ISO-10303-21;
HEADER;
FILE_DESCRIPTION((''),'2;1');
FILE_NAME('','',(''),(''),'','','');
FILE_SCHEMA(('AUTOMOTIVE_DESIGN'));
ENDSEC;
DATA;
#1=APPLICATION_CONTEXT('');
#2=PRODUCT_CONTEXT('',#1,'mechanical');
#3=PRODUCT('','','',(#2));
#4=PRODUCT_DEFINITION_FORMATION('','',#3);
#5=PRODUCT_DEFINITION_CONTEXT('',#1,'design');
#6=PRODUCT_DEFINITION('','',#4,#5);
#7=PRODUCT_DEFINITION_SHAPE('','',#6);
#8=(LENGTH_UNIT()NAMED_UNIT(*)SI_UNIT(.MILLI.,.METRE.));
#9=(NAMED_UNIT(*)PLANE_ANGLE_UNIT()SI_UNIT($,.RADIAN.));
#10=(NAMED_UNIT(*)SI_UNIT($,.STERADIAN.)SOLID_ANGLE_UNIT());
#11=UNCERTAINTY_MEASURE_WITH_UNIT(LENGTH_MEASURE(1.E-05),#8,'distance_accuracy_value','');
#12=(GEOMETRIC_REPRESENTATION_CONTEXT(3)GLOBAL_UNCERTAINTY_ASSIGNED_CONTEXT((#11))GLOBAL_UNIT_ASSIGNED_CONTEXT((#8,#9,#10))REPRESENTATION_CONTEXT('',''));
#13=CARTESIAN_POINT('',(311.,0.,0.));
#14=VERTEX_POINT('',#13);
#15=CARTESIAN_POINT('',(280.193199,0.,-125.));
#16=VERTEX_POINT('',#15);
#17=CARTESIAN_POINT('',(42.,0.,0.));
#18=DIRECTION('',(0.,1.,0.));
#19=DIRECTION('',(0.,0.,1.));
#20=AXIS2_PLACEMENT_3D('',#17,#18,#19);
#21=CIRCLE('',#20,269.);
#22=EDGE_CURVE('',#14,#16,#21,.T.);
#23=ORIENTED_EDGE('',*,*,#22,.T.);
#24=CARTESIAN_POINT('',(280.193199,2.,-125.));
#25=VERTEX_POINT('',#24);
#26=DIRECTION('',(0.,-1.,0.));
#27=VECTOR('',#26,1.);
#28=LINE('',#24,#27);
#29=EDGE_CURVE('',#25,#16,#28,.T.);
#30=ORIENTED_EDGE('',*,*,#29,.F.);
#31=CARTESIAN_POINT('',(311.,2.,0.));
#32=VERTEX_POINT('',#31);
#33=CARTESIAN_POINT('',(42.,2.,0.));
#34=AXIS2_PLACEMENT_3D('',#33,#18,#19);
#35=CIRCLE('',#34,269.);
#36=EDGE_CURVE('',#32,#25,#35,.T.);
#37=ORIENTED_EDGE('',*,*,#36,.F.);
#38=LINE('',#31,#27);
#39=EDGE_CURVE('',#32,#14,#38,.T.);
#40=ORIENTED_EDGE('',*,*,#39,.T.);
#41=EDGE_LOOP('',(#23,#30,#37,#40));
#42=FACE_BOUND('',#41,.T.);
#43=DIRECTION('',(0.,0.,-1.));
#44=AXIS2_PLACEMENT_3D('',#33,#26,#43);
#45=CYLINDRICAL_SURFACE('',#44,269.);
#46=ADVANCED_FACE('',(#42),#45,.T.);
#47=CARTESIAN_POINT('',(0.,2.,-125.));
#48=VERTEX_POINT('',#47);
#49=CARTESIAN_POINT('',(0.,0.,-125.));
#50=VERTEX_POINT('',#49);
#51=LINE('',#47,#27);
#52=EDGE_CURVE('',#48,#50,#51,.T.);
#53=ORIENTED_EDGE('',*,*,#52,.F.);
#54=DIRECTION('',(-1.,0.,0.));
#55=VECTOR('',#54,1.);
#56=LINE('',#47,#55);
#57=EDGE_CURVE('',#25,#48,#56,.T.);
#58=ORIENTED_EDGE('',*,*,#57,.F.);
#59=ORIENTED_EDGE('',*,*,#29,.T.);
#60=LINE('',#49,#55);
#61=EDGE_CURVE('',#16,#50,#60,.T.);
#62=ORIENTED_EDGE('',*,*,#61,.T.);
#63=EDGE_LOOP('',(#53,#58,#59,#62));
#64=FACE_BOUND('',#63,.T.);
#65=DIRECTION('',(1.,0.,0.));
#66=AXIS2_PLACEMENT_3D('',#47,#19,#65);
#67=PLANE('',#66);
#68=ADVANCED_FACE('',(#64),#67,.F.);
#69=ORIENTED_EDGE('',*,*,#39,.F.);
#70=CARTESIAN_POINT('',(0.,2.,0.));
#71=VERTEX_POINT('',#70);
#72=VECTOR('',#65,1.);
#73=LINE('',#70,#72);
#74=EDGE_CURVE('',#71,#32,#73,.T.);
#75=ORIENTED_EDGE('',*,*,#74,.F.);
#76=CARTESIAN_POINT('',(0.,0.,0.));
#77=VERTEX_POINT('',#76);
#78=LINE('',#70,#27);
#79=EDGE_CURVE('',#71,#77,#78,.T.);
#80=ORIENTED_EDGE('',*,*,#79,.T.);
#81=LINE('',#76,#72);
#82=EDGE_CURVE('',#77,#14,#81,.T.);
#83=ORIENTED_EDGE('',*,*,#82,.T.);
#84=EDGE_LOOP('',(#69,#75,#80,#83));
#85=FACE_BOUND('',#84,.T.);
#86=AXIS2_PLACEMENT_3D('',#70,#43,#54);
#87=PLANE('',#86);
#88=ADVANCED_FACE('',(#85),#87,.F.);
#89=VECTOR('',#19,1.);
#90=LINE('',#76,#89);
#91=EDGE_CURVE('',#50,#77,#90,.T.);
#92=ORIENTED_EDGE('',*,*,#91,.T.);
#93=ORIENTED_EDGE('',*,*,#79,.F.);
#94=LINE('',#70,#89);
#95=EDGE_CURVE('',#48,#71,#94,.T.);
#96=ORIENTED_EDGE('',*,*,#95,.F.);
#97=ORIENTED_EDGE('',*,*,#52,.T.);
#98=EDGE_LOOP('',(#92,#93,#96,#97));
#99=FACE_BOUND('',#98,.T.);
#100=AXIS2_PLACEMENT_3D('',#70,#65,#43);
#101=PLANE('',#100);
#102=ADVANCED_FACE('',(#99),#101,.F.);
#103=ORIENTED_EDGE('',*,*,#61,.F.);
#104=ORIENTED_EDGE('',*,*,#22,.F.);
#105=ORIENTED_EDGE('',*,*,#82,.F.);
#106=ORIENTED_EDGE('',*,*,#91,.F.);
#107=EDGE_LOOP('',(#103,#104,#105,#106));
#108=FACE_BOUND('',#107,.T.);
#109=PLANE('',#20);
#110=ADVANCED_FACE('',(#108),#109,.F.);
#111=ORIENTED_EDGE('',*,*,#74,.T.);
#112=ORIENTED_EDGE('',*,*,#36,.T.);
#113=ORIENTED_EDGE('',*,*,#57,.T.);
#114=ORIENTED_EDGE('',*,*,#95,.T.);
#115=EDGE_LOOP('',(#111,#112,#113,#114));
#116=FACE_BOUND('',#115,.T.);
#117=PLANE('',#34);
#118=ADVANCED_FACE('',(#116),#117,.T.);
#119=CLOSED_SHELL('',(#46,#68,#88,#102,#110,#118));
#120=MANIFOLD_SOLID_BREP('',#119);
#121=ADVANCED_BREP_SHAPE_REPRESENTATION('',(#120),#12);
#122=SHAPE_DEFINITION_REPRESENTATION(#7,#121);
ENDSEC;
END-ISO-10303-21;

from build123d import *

# Parameters (mm, degrees)
BOSS_EXTRUDE1_DEPTH = 2


with BuildPart() as part:
    # Sketch1 → Boss-Extrude1 (new body)
    with BuildSketch(Plane(origin=(0, 0, 0), x_dir=(1, 0, 0), z_dir=(0, 1, 0))):
        with BuildLine():
            Line((0, 0), (311, 0))
            ThreePointArc((311, 0), (303.184772243, 64.37013864), (280.193198895, 125))
            Line((280.193198895, 125), (0, 125))
            Line((0, 125), (0, 0))
        make_face()
    extrude(amount=BOSS_EXTRUDE1_DEPTH)


solid = part.part
